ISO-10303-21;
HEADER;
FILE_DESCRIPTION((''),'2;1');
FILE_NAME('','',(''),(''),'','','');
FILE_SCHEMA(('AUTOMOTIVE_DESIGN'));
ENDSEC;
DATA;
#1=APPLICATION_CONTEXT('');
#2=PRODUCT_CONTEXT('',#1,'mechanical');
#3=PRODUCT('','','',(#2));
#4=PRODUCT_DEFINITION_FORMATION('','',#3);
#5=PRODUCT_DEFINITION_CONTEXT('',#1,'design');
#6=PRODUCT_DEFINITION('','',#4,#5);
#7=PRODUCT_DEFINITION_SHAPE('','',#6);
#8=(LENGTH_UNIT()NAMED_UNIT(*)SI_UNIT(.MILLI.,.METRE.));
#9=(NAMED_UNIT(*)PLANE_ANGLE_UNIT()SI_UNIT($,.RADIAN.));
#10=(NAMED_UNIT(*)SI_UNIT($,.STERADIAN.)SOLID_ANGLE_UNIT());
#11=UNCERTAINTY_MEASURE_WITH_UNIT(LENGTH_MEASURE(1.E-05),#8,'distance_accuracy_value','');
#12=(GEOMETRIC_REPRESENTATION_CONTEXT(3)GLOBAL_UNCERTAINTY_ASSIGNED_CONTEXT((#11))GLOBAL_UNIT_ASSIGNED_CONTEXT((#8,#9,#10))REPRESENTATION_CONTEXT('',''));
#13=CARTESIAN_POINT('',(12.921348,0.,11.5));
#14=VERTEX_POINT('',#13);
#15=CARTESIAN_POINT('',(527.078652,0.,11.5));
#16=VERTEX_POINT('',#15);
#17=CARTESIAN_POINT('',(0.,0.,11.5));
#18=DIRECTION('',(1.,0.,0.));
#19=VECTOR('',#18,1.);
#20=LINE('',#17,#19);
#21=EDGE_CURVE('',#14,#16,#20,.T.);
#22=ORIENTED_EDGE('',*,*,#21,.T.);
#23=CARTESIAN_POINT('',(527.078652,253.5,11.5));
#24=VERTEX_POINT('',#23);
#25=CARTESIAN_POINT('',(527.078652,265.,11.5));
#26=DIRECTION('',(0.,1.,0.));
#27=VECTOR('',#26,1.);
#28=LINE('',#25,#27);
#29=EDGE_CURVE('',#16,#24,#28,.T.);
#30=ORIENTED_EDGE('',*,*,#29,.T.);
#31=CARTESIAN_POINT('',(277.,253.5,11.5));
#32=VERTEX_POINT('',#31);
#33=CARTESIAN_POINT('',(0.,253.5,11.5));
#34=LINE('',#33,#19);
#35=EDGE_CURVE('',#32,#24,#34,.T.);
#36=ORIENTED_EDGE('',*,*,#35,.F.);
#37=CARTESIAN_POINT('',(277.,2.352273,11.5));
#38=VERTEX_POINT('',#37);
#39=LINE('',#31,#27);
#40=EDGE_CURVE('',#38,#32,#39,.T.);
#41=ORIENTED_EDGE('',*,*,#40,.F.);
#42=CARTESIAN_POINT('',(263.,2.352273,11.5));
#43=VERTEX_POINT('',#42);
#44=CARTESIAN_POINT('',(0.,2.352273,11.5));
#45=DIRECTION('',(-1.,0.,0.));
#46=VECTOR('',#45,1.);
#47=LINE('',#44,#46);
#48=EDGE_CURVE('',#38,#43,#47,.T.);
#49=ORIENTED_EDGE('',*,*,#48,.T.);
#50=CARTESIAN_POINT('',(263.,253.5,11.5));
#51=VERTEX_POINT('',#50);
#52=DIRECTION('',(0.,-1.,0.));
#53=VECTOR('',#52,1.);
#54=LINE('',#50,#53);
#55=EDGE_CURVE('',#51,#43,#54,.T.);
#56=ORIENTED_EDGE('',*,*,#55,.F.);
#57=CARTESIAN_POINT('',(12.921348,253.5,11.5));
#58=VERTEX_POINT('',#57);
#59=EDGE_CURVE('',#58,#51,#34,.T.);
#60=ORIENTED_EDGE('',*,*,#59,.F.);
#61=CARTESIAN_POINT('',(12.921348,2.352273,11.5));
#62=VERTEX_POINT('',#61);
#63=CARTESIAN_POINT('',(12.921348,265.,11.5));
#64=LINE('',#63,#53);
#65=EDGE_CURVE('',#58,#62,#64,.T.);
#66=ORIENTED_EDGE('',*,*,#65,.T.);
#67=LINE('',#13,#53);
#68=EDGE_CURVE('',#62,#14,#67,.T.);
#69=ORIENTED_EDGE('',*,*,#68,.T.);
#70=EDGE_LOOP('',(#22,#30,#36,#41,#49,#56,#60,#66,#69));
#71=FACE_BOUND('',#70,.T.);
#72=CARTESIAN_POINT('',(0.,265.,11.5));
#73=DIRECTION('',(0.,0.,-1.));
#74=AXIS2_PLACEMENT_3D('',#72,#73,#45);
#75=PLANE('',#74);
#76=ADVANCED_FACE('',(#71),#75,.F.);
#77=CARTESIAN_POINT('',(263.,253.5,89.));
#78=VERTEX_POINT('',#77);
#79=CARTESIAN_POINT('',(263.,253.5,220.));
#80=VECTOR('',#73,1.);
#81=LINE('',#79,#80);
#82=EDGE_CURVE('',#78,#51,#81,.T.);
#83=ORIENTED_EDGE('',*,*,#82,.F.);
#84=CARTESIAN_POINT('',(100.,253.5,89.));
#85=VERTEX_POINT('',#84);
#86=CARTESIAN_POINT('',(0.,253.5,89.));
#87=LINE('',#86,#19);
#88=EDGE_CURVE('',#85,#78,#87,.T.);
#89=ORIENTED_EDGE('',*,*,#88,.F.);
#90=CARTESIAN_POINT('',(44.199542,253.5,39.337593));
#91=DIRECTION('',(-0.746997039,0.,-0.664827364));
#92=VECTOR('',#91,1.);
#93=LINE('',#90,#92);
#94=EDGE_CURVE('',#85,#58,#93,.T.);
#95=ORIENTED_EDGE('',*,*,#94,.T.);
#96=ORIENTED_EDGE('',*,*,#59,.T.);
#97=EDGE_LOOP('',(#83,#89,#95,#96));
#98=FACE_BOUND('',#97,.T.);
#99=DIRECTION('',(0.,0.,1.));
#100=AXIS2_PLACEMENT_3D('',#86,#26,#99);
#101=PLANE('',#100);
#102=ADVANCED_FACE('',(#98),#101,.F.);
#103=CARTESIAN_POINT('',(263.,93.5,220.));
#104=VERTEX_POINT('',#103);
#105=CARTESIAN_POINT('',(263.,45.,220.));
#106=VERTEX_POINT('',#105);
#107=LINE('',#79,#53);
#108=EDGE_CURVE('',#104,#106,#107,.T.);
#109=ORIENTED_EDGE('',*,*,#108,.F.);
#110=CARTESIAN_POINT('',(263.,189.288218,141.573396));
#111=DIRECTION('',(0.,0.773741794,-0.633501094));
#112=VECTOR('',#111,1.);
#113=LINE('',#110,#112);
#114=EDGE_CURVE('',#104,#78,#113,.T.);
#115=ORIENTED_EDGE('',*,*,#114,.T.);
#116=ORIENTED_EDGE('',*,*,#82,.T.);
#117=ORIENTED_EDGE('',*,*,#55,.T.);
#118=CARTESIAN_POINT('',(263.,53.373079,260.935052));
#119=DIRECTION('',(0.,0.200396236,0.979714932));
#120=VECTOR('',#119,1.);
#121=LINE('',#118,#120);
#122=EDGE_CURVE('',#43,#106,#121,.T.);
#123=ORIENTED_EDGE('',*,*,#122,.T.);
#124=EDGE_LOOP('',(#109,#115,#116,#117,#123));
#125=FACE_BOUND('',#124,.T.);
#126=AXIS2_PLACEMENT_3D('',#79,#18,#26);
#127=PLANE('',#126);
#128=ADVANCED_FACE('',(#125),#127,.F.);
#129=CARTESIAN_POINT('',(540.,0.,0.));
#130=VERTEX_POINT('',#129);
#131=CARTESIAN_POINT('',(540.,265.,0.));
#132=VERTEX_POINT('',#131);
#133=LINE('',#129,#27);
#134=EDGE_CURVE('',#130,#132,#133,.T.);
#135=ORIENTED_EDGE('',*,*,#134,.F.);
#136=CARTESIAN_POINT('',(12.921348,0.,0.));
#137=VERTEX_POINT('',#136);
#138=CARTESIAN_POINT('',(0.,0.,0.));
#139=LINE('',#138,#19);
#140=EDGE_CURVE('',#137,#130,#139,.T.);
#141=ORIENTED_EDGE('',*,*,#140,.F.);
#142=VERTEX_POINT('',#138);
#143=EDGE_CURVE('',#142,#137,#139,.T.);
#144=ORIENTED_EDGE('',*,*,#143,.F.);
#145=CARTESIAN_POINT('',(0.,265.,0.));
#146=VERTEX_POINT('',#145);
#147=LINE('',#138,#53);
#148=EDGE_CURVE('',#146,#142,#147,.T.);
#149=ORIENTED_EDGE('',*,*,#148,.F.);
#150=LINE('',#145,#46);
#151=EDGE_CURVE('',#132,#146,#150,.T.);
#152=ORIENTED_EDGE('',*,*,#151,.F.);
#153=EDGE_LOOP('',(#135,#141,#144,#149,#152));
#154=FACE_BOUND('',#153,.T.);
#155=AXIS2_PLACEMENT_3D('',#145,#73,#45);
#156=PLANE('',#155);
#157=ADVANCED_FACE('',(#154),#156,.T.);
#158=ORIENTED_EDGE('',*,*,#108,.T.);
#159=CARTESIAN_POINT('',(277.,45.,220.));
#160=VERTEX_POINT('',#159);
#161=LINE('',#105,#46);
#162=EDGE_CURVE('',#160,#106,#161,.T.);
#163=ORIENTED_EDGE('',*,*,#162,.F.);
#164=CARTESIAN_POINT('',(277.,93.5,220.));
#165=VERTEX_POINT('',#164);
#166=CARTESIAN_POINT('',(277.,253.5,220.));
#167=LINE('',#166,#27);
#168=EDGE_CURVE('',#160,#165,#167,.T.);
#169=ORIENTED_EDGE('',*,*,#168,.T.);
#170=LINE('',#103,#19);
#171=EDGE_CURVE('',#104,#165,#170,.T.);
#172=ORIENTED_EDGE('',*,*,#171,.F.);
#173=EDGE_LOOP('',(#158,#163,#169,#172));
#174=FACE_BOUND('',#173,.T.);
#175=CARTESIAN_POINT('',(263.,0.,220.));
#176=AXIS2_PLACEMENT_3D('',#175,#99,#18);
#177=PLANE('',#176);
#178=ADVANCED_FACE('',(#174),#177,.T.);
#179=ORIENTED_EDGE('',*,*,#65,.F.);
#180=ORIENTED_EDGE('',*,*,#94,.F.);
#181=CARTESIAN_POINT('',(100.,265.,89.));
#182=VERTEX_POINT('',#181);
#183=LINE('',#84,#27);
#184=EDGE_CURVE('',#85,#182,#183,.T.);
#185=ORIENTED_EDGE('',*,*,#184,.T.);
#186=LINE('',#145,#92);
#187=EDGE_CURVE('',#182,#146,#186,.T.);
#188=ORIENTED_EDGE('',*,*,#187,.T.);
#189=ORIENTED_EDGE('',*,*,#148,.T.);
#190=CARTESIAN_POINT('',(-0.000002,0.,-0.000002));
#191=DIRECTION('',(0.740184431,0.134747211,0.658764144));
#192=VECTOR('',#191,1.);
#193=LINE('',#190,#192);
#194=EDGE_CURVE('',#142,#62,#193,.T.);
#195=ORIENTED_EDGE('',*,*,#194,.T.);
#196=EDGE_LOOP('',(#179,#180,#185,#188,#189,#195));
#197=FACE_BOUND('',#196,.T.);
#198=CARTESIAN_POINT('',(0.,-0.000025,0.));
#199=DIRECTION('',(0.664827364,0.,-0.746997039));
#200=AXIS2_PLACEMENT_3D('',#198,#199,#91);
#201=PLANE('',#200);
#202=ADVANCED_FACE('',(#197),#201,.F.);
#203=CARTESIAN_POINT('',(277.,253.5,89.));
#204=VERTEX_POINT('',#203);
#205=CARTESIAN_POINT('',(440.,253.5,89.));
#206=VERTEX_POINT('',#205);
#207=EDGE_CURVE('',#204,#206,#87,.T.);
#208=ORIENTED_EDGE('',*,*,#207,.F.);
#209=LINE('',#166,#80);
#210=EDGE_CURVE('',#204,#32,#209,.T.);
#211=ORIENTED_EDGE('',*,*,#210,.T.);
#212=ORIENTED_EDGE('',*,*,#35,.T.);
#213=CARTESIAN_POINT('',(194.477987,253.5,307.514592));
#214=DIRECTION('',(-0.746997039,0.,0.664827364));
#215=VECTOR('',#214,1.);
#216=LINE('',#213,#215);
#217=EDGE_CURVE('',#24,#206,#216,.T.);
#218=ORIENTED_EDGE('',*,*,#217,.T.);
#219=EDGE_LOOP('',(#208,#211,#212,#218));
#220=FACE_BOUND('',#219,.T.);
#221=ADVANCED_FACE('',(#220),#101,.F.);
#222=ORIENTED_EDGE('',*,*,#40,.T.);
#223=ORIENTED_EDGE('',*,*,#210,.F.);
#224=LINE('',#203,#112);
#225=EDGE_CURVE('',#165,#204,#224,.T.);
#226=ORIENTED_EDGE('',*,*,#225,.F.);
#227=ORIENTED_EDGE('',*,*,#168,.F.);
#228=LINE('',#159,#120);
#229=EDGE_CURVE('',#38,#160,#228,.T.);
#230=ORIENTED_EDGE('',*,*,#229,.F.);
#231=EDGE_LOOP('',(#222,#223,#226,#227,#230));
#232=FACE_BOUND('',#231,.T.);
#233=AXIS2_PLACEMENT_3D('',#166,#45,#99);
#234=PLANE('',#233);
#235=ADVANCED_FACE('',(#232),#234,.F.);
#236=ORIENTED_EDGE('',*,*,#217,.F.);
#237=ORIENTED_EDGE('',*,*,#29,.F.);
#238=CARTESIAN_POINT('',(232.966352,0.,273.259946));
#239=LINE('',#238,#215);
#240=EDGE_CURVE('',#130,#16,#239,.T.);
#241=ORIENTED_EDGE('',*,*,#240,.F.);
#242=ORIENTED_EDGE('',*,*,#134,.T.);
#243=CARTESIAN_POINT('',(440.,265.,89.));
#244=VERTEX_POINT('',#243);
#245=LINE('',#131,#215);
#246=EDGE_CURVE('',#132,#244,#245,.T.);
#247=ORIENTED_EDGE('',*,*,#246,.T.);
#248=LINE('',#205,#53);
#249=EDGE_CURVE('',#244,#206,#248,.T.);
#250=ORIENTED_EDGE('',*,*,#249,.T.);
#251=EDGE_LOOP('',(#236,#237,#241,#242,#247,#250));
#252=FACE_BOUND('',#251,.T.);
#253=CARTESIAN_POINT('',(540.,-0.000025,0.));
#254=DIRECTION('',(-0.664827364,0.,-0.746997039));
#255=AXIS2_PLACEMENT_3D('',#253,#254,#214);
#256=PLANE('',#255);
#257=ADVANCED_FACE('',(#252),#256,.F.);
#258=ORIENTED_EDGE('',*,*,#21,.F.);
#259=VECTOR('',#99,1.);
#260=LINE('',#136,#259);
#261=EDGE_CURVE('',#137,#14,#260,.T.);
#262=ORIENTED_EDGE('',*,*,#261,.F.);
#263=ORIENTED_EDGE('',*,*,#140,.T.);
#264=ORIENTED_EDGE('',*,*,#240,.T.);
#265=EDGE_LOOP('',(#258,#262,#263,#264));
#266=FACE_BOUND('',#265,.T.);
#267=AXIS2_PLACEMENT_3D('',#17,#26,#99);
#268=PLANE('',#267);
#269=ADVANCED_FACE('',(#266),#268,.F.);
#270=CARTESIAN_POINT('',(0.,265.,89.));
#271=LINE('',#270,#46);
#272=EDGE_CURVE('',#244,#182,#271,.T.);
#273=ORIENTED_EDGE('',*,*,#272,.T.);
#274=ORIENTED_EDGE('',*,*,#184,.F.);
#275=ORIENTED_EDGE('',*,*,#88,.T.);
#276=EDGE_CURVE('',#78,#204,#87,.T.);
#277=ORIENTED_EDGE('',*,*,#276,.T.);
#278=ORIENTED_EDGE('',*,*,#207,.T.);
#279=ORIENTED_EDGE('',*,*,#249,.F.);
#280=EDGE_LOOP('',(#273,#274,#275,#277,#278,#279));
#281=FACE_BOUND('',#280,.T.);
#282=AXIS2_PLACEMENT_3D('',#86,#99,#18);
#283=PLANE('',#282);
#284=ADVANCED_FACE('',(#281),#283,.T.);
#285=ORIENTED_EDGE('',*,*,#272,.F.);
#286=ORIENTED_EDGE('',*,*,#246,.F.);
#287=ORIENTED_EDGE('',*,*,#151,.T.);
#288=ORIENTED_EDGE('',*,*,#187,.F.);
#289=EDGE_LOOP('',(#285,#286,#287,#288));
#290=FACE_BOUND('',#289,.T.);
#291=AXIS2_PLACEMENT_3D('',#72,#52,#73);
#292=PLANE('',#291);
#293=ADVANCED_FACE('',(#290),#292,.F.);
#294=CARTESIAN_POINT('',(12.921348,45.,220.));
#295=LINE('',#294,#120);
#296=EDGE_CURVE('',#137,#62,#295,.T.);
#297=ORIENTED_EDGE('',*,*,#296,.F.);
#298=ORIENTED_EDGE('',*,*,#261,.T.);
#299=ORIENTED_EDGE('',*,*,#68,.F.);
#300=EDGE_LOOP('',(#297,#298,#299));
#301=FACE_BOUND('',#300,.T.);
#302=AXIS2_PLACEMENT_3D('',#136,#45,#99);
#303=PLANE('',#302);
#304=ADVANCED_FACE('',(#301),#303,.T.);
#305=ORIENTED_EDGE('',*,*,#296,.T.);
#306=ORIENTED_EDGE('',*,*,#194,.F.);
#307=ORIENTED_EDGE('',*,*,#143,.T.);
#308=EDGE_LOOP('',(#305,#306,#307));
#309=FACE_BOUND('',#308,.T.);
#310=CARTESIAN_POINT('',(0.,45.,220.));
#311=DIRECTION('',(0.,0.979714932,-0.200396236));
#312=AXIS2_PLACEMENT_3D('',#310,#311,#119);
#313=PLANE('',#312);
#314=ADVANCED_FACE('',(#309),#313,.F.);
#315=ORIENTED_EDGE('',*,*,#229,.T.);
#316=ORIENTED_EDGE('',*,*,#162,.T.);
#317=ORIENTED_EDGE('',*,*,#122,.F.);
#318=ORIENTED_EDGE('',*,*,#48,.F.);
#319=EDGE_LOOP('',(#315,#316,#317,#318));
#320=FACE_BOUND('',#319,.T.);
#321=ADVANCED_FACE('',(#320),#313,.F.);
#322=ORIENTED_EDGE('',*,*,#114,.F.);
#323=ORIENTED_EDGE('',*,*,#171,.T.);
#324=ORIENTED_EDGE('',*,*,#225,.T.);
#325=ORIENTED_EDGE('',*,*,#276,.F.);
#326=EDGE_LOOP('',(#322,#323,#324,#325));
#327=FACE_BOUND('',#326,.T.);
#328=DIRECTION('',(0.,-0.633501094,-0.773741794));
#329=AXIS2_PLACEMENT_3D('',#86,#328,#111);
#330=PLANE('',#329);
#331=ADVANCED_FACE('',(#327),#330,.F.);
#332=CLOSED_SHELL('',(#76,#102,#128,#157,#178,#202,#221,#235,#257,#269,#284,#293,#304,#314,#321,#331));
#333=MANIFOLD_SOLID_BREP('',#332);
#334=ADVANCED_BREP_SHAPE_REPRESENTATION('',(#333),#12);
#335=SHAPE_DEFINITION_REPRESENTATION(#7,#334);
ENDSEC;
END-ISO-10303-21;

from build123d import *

# Parameters (mm, degrees)
SKETCH_1_W          = 540
SKETCH_1_H          = 265
SKETCH_1_R          = 13
EXTRUDE_635_DEPTH   = 11.5
SKETCH_2_W          = 540
SKETCH_2_H          = 11.5
EXTRUDE_1_DEPTH     = 77.5
CUT_EXTRUDE_1_DEPTH = 609.067430471
SKETCH_4_R          = 13
CUT_EXTRUDE_2_DEPTH = 609.067430471
SKETCH_5_W          = 14
SKETCH_5_H          = 253.5
EXTRUDE_2_DEPTH     = 208.5
SKETCH_6_R          = 13
CUT_EXTRUDE_3_DEPTH = 442.988687638
EXTRUDE_3_DEPTH     = 14
SKETCH_8_W          = 514.15730337
SKETCH_8_H          = 253.5
EXTRUDE_4_DEPTH     = 11.5
EXTRUDE_5_DEPTH     = 11.5


with BuildPart() as part:
    # 草图1 → Extrude 635 (new body)
    with BuildSketch(Plane.XY):
        with Locations((270, 132.5)):
            Rectangle(SKETCH_1_W, SKETCH_1_H)
        with Locations((97.46594539, 108.46594539)):
            Circle(SKETCH_1_R, mode=Mode.SUBTRACT)
        with Locations((40.897402896, 51.897402896)):
            Circle(SKETCH_1_R, mode=Mode.SUBTRACT)
        with Locations((499.102597104, 51.897402896)):
            Circle(SKETCH_1_R, mode=Mode.SUBTRACT)
        with Locations((402.170987639, 92.261534081)):
            Circle(SKETCH_1_R, mode=Mode.SUBTRACT)
        with Locations((230, 121)):
            Circle(SKETCH_1_R, mode=Mode.SUBTRACT)
        with Locations((230, 41)):
            Circle(SKETCH_1_R, mode=Mode.SUBTRACT)
        with Locations((310, 41)):
            Circle(SKETCH_1_R, mode=Mode.SUBTRACT)
        with Locations((310, 121)):
            Circle(SKETCH_1_R, mode=Mode.SUBTRACT)
        with Locations((137.829012361, 92.261534081)):
            Circle(SKETCH_1_R, mode=Mode.SUBTRACT)
        with Locations((442.53405461, 108.46594539)):
            Circle(SKETCH_1_R, mode=Mode.SUBTRACT)
    extrude(amount=EXTRUDE_635_DEPTH)

    # 草图2 → 凸台-拉伸1 (add)
    with BuildSketch(Plane.XY.offset(11.5)):
        with Locations((270, 259.25)):
            Rectangle(SKETCH_2_W, SKETCH_2_H)
    extrude(amount=EXTRUDE_1_DEPTH)

    # 草图3 → 切除-拉伸1 (cut, through all)
    with BuildSketch(Plane(origin=(0, 265, 0), x_dir=(-1, 0, 0), z_dir=(0, 1, 0))):
        Polygon((0, 0), (-100, 89), (0, 89), align=None)
        Polygon((-540, 0), (-440, 89), (-540, 89), align=None)
    extrude(amount=-CUT_EXTRUDE_1_DEPTH, mode=Mode.SUBTRACT)

    # 草图4 → 切除-拉伸2 (cut, through all)
    with BuildSketch(Plane(origin=(0, 265, 0), x_dir=(-1, 0, 0), z_dir=(0, 1, 0))):
        with Locations((-210, 50)):
            Circle(SKETCH_4_R)
        with Locations((-130, 50)):
            Circle(SKETCH_4_R)
        with Locations((-410, 50)):
            Circle(SKETCH_4_R)
        with Locations((-330, 50)):
            Circle(SKETCH_4_R)
    extrude(amount=-CUT_EXTRUDE_2_DEPTH, mode=Mode.SUBTRACT)

    # 草图5 → 凸台-拉伸2 (add)
    with BuildSketch(Plane.XY.offset(11.5)):
        with Locations((270, 126.75)):
            Rectangle(SKETCH_5_W, SKETCH_5_H)
    extrude(amount=EXTRUDE_2_DEPTH)

    # 草图6 → 切除-拉伸3 (cut, through all)
    with BuildSketch(Plane(origin=(277, 0, 0), x_dir=(0, 0, -1), z_dir=(1, 0, 0))):
        with Locations((-115.676148082, 138.142814541)):
            Circle(SKETCH_6_R)
        with Locations((-175.462621788, 84.986652509)):
            Circle(SKETCH_6_R)
        with Locations((-68.377294113, 126.911974174)):
            Circle(SKETCH_6_R)
        Polygon((-89, 253.5), (-220, 93.5), (-220, 253.5), align=None)
        Polygon((-220, 45), (0, 0), (-220, 0), align=None)
    extrude(amount=-CUT_EXTRUDE_3_DEPTH, mode=Mode.SUBTRACT)

    # 草图7 → 凸台-拉伸3 (add)
    with BuildSketch(Plane(origin=(277, 0, 0), x_dir=(0, 0, -1), z_dir=(1, 0, 0))):
        Polygon((-220, 93.5), (-220, 45), (-11.5, 2.352272727), (-11.5, 253.5), (-89, 253.5), align=None)
    extrude(amount=-EXTRUDE_3_DEPTH)

    # 草图8 → 凸台-拉伸4 (add)
    with BuildSketch(Plane.XY.offset(11.5)):
        with Locations((270, 126.75)):
            Rectangle(SKETCH_8_W, SKETCH_8_H)
    extrude(amount=-EXTRUDE_4_DEPTH)

    # 草图9 → 凸台-拉伸5 (add)
    with BuildSketch(Plane(origin=(0, 265, 0), x_dir=(1, 0, 0), z_dir=(0, 1, 0))):
        Polygon((0, 0), (100, -89), (440, -89), (540, 0), align=None)
    extrude(amount=-EXTRUDE_5_DEPTH)


solid = part.part
